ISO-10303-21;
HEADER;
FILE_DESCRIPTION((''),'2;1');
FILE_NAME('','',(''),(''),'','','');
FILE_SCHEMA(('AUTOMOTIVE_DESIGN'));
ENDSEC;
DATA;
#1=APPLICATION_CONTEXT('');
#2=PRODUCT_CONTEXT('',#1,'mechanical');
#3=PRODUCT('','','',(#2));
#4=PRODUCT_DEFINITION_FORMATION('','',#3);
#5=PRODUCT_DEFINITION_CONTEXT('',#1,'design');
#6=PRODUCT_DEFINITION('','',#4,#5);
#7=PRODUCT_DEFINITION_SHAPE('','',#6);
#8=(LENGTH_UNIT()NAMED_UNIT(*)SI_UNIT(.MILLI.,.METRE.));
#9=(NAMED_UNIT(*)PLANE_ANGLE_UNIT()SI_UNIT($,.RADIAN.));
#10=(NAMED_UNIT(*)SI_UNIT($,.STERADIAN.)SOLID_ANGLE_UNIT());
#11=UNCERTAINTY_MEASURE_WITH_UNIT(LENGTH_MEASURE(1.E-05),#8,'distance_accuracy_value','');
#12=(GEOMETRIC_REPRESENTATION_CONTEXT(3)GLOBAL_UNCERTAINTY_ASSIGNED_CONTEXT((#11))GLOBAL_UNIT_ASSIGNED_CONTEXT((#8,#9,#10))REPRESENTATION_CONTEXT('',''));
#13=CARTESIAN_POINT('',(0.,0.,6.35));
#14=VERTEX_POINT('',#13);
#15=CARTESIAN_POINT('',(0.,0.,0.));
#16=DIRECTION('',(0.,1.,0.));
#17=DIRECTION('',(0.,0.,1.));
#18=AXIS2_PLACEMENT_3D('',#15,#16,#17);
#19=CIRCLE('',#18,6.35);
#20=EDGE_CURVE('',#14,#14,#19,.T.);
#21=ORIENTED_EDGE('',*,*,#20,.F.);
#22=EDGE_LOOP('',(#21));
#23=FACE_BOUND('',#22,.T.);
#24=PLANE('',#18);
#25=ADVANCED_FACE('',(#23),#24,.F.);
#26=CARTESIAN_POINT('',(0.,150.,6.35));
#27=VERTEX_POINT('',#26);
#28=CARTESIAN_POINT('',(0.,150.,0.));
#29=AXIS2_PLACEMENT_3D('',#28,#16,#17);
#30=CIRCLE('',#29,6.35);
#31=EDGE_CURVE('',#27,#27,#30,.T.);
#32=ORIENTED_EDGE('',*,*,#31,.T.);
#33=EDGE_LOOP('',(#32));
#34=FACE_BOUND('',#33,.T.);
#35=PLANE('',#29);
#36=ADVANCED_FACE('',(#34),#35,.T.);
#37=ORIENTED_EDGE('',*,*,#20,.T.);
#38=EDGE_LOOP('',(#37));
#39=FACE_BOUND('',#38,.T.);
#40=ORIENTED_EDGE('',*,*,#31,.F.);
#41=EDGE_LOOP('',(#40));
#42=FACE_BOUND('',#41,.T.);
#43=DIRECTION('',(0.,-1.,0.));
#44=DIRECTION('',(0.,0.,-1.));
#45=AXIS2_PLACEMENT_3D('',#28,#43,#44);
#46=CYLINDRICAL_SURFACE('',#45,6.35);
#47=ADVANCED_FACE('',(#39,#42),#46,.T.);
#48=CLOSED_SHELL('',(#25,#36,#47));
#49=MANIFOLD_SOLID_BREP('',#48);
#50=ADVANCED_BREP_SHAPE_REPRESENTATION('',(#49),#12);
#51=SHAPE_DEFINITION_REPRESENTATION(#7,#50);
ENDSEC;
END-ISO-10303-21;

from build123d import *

# Parameters (mm, degrees)
SKETCH1_R           = 6.35
BOSS_EXTRUDE1_DEPTH = 150


with BuildPart() as part:
    # Sketch1 → Boss-Extrude1 (new body)
    with BuildSketch(Plane(origin=(0, 0, 0), x_dir=(1, 0, 0), z_dir=(0, 1, 0))):
        Circle(SKETCH1_R)
    extrude(amount=BOSS_EXTRUDE1_DEPTH)


solid = part.part
